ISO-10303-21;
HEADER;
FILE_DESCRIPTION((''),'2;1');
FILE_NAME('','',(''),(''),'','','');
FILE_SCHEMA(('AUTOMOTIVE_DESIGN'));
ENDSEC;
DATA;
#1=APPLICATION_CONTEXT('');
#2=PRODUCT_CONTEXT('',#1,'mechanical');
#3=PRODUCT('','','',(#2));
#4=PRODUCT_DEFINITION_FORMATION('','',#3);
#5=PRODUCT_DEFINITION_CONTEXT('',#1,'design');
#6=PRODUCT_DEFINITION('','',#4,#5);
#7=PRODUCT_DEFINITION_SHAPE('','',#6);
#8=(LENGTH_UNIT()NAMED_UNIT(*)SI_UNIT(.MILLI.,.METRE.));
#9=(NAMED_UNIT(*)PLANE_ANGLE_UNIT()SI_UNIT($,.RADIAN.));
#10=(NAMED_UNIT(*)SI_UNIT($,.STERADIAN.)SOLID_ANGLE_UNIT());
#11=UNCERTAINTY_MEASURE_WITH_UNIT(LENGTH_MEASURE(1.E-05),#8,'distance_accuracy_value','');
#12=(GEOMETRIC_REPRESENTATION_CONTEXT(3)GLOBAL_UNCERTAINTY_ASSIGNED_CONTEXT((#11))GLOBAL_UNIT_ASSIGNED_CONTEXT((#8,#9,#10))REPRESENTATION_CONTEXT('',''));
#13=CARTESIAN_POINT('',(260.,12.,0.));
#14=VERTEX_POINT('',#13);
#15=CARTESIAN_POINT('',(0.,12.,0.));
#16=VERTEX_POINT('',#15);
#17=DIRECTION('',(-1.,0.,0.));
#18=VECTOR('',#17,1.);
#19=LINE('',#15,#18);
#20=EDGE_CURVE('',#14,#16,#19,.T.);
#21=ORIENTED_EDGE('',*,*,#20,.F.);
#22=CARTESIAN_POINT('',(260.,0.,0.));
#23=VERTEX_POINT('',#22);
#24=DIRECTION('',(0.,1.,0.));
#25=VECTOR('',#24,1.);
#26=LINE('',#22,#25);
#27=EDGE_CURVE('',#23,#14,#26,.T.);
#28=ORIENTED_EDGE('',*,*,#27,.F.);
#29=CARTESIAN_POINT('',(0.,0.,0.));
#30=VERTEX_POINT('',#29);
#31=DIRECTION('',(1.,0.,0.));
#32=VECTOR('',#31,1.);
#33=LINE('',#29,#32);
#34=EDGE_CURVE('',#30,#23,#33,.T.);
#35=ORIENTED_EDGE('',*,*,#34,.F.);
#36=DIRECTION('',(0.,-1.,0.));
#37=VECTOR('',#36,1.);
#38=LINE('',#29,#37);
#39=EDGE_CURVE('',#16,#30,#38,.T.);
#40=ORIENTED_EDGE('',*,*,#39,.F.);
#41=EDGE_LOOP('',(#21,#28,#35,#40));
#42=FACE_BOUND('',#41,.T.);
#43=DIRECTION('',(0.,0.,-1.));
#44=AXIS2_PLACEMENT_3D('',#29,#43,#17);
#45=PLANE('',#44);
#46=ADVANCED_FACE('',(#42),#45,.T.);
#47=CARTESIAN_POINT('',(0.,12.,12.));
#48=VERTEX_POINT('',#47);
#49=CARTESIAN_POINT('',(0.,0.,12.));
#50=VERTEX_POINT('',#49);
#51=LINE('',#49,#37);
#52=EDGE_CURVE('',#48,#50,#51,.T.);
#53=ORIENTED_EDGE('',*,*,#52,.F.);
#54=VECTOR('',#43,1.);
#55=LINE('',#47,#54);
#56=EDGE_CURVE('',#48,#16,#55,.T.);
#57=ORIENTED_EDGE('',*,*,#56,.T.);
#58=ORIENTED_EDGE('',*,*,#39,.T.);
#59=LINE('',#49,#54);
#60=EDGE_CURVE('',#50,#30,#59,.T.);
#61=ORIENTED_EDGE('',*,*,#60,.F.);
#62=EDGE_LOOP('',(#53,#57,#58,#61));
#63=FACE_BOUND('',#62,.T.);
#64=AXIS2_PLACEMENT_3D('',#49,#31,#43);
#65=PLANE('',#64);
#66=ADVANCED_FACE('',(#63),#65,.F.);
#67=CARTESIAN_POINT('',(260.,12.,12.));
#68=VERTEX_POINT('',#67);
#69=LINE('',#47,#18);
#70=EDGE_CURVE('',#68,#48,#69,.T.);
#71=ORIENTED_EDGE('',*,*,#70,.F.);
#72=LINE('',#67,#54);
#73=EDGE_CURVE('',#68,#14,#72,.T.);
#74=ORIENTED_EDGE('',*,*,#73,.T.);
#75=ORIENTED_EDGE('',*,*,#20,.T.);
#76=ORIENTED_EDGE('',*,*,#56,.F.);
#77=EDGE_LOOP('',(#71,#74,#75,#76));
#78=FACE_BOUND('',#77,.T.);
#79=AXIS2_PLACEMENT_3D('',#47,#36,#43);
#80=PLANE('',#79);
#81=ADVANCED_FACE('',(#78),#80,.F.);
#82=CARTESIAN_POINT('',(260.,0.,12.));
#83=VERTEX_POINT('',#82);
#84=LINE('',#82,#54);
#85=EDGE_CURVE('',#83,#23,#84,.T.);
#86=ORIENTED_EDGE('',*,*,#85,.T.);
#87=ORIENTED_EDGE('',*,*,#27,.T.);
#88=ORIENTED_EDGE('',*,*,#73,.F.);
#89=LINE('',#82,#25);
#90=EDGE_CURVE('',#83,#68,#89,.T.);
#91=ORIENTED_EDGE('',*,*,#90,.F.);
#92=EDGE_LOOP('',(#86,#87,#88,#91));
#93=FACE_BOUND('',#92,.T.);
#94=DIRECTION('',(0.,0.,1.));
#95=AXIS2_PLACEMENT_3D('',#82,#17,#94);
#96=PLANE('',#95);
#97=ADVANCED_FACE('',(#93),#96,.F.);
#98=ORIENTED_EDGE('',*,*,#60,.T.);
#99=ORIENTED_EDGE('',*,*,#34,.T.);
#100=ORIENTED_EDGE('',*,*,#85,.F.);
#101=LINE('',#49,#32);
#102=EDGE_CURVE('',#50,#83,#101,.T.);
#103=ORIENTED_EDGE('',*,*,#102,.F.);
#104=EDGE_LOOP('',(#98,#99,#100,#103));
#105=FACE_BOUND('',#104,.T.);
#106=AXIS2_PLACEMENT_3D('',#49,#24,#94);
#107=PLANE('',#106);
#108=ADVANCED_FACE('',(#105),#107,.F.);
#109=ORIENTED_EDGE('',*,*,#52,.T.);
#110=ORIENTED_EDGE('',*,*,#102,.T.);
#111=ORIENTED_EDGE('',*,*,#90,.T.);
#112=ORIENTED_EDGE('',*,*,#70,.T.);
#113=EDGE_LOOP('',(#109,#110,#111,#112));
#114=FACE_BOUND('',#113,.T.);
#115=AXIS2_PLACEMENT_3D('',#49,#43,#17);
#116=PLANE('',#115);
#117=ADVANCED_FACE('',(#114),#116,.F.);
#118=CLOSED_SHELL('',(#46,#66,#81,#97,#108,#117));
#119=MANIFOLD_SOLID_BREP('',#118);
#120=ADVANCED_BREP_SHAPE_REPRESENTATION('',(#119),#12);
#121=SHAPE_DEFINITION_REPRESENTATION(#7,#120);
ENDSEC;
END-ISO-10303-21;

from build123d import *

# Parameters (mm, degrees)
SKETCH_2_W      = 260
SKETCH_2_H      = 12
EXTRUDE_1_DEPTH = 12


with BuildPart() as part:
    # ｽｹｯﾁ2 → ﾎﾞｽ - 押し出し1 (new body)
    with BuildSketch(Plane.XY):
        with Locations((130, 6)):
            Rectangle(SKETCH_2_W, SKETCH_2_H)
    extrude(amount=EXTRUDE_1_DEPTH)


solid = part.part
